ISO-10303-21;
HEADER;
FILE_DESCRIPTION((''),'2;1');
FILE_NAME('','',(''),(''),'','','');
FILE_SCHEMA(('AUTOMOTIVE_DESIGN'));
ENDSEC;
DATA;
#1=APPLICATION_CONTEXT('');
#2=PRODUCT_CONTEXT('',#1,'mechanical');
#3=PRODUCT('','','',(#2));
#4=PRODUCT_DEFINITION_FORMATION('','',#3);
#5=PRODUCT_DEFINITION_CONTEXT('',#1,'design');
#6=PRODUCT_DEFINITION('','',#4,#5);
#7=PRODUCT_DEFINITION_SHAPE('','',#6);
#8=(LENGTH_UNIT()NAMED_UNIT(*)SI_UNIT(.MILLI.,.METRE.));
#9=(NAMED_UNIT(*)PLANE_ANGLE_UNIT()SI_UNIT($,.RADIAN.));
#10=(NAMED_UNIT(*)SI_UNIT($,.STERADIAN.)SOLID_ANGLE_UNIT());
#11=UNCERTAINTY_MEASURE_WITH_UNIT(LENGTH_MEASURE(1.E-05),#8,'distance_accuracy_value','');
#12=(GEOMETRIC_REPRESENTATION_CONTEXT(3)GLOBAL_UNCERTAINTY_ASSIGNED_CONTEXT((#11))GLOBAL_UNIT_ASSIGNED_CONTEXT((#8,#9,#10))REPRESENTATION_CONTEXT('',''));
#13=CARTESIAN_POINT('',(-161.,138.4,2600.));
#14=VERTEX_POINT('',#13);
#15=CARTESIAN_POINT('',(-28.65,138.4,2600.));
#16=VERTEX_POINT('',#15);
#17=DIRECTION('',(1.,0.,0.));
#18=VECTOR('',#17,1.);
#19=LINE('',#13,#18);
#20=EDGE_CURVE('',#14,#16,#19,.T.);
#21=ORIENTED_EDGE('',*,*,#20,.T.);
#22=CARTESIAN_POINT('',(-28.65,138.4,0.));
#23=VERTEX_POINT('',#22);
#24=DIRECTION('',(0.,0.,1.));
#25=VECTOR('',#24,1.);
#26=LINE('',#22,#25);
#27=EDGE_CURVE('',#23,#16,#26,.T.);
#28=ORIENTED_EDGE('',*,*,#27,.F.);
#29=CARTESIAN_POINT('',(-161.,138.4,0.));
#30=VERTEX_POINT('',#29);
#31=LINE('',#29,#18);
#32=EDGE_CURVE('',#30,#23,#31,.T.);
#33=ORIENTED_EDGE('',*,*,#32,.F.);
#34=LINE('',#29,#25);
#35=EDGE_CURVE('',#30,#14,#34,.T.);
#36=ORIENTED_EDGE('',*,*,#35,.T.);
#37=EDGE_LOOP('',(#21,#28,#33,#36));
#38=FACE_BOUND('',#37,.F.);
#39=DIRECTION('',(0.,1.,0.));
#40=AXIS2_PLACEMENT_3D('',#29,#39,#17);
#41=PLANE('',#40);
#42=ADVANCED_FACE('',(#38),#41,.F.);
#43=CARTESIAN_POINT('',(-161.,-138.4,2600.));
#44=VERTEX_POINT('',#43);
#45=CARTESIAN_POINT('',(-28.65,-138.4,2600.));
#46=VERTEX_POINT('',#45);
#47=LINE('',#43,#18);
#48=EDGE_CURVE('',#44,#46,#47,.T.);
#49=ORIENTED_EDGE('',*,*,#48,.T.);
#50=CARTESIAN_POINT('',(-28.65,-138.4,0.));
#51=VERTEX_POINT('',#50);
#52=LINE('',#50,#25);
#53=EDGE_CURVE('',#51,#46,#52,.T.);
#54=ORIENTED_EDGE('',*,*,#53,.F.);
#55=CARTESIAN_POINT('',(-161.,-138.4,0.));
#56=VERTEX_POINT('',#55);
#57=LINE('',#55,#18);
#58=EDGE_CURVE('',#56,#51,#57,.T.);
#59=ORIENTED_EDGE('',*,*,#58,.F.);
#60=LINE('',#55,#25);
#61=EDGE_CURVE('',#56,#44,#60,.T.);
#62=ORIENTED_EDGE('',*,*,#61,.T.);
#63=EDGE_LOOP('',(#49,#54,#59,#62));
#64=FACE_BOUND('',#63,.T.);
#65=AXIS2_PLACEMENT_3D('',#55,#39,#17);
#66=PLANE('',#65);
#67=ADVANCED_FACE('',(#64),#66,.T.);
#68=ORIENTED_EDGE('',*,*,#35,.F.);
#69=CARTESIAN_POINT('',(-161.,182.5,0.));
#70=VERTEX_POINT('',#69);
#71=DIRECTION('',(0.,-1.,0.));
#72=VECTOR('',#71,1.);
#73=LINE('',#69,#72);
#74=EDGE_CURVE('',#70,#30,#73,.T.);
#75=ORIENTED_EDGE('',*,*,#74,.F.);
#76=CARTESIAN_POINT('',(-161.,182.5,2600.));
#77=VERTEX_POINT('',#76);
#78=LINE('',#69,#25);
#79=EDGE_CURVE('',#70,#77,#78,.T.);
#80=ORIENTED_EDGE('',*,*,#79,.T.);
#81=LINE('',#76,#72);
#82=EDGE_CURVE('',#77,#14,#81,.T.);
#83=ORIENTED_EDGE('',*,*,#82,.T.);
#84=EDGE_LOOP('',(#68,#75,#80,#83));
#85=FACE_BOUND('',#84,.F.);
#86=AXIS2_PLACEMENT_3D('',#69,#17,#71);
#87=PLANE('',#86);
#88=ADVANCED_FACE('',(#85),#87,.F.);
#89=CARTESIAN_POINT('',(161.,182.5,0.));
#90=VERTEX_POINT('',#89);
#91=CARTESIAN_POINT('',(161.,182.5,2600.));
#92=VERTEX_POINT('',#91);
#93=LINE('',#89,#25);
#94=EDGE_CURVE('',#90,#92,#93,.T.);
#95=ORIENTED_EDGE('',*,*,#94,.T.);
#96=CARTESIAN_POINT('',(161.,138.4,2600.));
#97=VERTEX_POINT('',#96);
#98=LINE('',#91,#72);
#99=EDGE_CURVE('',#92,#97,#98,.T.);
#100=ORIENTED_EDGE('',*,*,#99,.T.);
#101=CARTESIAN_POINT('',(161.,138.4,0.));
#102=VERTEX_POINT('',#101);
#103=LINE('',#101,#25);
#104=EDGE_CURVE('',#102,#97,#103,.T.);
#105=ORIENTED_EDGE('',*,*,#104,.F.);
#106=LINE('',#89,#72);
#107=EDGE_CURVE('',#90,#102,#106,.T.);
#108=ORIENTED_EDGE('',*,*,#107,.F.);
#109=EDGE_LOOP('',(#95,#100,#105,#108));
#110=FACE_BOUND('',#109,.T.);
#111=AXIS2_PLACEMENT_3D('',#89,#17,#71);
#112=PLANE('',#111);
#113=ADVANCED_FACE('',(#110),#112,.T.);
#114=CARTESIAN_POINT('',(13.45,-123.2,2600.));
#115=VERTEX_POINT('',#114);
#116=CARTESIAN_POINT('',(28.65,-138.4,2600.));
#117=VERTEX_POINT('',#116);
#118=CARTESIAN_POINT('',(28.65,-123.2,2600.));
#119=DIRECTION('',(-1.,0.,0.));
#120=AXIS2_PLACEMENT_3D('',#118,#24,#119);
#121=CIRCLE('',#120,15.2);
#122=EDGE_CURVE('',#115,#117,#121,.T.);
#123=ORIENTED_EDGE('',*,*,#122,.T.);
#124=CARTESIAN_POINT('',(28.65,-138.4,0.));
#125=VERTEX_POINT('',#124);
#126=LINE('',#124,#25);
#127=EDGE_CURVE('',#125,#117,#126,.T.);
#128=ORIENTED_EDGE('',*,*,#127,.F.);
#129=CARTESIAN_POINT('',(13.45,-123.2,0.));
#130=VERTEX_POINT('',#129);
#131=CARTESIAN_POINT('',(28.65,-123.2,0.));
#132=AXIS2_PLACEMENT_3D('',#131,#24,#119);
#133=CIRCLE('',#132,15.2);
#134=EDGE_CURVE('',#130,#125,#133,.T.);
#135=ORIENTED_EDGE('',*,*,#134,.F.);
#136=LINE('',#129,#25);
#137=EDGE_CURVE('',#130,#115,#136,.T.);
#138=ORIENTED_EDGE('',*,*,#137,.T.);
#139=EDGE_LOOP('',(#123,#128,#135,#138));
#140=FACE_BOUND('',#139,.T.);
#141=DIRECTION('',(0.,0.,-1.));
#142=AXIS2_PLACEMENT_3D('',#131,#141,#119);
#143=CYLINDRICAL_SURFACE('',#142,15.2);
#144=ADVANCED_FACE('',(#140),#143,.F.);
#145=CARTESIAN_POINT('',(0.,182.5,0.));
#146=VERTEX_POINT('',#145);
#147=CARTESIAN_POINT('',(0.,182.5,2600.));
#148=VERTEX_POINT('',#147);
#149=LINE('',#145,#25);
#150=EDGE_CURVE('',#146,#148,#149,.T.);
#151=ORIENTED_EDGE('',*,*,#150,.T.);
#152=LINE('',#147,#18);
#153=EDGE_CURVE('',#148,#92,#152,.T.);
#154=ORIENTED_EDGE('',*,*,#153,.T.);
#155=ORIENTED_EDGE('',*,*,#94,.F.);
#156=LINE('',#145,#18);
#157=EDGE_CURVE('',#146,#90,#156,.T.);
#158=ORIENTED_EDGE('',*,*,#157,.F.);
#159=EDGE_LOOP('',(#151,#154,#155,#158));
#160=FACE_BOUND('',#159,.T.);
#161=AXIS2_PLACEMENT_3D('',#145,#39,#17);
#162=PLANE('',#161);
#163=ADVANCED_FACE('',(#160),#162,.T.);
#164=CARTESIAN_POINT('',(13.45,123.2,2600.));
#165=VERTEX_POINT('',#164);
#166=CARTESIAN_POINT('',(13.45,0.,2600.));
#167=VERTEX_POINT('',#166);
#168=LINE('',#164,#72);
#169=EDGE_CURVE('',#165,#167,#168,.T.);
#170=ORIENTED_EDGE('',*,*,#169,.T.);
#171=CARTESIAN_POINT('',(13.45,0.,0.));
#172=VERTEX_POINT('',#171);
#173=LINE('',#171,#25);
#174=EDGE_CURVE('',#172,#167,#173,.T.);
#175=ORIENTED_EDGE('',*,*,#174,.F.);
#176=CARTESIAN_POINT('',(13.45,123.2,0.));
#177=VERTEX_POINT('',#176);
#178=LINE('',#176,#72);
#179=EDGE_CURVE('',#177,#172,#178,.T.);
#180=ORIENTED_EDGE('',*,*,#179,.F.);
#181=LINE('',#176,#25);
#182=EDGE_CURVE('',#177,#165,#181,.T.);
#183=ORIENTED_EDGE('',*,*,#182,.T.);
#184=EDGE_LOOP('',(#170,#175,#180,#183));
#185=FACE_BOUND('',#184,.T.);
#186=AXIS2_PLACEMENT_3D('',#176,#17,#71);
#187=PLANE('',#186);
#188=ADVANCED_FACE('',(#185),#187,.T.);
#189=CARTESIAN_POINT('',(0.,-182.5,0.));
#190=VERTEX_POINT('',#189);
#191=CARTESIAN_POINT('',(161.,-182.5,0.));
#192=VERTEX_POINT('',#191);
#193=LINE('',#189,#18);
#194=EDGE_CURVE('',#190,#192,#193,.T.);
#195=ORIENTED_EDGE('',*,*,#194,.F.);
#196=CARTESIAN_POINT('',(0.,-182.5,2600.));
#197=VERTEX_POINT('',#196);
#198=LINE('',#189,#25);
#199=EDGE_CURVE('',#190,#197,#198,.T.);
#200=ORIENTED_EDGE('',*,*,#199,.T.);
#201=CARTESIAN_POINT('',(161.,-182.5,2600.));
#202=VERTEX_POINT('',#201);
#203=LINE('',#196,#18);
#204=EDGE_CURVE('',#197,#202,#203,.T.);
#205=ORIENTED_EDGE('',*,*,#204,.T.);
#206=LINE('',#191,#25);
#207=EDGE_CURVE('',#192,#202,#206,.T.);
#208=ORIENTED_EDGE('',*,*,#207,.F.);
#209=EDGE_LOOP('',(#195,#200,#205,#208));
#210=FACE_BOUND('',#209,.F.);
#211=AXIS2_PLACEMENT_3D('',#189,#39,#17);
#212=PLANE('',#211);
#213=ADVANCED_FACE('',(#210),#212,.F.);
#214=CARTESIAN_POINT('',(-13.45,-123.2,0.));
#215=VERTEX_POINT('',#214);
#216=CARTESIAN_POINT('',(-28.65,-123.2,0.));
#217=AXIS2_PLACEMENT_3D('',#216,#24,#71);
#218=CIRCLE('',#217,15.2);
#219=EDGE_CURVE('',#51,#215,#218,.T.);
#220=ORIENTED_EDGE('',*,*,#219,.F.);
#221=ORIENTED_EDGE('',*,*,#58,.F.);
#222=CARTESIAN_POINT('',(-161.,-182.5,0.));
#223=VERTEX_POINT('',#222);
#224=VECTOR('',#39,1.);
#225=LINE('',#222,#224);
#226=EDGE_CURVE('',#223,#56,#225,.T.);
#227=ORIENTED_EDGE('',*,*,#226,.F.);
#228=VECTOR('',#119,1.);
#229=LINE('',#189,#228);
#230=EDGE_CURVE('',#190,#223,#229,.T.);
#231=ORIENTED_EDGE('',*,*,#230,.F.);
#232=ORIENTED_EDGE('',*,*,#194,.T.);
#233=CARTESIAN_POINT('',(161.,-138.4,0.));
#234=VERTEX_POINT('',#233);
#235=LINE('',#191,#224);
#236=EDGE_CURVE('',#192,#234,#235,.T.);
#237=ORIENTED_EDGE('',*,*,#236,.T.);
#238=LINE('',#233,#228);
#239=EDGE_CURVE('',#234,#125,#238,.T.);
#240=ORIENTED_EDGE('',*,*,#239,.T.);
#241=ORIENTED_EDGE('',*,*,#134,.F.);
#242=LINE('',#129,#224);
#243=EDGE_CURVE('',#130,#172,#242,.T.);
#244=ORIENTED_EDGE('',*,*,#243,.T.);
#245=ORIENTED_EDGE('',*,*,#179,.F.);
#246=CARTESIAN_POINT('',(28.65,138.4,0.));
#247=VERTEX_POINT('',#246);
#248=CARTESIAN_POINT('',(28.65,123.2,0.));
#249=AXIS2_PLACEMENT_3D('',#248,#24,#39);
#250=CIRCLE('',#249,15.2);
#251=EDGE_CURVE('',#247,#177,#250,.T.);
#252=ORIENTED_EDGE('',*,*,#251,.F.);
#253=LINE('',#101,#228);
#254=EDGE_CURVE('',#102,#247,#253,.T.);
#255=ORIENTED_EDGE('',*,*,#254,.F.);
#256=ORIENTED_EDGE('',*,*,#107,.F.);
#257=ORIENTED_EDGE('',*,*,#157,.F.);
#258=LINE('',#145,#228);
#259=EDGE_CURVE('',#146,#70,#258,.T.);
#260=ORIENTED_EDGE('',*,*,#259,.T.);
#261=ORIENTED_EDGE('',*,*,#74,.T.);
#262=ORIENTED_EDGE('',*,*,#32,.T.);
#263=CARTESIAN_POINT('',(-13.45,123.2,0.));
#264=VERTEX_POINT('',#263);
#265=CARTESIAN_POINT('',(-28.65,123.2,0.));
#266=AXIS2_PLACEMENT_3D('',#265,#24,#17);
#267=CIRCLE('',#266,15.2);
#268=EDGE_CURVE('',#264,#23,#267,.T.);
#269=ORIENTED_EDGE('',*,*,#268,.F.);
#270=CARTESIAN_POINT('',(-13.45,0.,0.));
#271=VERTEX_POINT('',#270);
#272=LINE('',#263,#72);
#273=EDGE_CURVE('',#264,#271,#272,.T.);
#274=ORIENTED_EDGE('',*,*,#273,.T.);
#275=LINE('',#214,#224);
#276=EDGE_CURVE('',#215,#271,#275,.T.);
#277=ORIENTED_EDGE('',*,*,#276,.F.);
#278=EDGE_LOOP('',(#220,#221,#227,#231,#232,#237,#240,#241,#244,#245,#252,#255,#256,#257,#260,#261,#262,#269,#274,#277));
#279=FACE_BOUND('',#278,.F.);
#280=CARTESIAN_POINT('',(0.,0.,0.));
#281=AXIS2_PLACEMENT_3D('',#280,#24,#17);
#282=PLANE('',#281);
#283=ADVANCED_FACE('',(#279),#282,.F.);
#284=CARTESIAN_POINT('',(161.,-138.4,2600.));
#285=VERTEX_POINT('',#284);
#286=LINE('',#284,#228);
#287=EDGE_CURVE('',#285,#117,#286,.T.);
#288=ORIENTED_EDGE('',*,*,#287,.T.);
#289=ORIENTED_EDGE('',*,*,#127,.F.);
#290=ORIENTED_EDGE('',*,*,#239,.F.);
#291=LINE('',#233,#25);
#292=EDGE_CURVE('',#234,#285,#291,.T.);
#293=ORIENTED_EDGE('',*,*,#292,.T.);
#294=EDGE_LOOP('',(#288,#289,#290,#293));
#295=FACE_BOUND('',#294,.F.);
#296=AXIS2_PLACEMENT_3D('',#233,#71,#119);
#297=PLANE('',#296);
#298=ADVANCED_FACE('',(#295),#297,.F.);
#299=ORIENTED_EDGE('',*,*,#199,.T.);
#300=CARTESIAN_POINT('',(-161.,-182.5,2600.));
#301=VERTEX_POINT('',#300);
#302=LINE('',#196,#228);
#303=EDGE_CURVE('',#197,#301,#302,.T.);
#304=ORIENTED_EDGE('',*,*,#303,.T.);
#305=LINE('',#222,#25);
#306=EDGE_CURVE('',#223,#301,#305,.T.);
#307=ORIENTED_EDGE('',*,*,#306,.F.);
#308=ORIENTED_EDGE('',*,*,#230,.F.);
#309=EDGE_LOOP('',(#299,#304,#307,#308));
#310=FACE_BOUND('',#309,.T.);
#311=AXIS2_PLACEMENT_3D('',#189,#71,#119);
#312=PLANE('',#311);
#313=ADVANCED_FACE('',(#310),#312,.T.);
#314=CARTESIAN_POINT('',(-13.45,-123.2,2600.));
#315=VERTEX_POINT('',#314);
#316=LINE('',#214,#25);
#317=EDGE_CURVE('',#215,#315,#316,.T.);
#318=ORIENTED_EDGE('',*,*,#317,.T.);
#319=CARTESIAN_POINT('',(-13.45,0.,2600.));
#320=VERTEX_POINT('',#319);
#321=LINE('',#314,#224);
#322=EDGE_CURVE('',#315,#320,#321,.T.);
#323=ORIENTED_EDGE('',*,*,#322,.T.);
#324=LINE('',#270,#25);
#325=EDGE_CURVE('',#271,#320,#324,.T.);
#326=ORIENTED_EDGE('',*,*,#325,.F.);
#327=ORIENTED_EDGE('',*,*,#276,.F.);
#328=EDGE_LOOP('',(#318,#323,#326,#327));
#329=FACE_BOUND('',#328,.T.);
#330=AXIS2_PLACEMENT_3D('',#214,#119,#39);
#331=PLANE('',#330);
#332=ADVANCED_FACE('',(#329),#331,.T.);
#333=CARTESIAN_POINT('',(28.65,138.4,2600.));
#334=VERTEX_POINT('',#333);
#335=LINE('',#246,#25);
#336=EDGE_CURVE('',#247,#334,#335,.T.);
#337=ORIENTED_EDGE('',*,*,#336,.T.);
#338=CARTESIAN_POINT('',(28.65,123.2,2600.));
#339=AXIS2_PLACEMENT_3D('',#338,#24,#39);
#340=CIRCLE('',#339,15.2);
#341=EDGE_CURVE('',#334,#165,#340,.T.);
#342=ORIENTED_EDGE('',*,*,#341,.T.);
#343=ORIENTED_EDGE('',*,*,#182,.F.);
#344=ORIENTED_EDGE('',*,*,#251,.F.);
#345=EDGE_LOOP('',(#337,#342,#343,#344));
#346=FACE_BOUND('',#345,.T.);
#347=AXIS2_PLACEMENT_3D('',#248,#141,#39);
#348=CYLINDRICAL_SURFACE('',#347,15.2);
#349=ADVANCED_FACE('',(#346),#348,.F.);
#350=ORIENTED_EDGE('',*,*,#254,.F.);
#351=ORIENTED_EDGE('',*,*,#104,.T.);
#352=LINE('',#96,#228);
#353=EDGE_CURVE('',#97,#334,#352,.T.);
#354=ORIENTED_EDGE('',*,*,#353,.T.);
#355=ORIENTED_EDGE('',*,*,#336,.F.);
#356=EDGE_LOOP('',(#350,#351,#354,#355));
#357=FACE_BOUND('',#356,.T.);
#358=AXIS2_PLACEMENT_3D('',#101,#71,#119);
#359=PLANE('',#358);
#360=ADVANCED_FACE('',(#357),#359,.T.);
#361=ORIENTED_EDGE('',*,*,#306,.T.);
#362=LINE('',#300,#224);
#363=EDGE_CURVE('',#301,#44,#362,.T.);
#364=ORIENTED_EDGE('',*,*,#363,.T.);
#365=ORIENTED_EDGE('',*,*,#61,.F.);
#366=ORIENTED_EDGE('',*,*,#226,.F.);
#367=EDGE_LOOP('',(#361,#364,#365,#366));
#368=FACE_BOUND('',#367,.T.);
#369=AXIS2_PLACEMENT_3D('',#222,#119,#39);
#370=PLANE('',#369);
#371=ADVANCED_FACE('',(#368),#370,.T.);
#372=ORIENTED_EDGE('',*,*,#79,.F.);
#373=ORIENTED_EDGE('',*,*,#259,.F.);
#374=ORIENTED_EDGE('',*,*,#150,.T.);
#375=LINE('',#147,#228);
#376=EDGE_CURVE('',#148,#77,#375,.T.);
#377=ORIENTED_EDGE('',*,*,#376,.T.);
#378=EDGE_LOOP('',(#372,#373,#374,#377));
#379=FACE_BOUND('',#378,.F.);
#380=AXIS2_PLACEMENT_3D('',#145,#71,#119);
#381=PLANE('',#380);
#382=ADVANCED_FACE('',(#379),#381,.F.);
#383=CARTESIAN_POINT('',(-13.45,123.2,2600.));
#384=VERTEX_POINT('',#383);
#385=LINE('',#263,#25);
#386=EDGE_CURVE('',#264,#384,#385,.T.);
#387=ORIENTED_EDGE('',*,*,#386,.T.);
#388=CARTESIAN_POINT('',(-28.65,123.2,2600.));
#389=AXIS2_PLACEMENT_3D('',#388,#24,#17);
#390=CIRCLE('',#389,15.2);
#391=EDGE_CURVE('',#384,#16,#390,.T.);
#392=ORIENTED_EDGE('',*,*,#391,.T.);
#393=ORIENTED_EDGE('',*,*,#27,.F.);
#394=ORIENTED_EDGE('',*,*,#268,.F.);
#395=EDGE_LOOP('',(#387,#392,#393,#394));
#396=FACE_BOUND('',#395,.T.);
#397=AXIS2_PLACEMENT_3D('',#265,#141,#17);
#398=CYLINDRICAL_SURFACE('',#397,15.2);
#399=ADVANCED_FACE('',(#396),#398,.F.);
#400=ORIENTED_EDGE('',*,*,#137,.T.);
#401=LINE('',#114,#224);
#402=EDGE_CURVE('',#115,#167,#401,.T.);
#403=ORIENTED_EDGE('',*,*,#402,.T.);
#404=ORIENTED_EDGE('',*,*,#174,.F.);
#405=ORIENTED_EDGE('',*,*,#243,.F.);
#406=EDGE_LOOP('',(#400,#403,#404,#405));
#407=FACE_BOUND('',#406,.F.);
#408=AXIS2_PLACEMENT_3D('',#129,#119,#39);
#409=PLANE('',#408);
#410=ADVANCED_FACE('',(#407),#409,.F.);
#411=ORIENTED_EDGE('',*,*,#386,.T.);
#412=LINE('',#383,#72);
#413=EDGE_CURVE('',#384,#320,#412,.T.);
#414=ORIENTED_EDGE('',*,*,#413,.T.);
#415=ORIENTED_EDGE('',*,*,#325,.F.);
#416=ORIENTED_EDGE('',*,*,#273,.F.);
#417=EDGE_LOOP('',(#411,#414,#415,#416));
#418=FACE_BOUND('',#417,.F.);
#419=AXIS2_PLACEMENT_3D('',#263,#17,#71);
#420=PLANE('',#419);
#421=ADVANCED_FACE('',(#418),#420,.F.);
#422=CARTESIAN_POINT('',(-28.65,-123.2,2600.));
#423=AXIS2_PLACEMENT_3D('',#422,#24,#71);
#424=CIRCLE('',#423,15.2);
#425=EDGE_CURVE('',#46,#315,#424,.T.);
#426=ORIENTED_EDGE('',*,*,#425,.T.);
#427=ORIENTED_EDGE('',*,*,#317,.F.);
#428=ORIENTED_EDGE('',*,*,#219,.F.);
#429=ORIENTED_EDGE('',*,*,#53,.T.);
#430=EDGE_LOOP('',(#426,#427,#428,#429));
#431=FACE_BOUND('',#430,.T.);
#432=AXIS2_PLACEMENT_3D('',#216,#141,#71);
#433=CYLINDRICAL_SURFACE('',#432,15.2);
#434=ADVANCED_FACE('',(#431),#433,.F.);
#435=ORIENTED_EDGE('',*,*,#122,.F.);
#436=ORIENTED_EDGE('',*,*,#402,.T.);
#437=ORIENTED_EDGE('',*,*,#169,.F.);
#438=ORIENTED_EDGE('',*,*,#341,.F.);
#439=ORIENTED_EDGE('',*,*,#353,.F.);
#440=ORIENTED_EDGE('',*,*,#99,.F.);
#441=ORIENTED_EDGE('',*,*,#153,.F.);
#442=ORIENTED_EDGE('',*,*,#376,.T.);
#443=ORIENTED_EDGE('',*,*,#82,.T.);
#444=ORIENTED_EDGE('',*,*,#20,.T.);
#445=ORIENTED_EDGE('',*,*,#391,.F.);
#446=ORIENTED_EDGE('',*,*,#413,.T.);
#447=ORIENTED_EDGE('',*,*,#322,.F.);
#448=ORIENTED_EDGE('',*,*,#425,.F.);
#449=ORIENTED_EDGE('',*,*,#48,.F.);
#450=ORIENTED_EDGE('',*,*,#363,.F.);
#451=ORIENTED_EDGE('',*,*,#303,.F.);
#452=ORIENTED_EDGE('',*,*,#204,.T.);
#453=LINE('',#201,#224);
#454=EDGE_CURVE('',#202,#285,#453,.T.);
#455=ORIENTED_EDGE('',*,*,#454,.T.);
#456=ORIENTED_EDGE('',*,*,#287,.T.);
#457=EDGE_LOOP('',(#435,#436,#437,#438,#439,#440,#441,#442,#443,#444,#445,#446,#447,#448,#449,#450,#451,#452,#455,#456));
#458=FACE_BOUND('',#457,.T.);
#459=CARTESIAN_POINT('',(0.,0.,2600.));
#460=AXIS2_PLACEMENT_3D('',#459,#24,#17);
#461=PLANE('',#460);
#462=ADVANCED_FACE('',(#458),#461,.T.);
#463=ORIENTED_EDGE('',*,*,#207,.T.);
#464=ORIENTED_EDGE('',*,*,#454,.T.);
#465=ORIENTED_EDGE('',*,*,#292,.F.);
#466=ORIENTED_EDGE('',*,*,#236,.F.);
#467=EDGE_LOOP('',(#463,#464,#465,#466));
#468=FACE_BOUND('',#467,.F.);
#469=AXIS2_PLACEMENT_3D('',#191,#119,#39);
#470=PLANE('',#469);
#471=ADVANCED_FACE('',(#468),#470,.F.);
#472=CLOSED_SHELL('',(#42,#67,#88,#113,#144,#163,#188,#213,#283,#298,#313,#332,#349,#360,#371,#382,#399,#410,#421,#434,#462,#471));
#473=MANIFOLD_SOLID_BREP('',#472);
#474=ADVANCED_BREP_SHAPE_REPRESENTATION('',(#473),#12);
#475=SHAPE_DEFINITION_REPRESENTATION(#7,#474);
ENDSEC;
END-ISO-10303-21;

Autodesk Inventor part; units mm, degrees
ref_plane "YZ Plane" through (0, 0, 0) normal (1, 0, 0) x (0, 1, 0)
ref_plane "Start plane" through (0, 0, 0) normal (0, 0, 1) x (1, 0, 0)
ref_plane "End plane" through (0, 0, 2600) normal (0, 0, 1) x (1, 0, 0)
sketch "Sketch" plane through (0, 0, 0) normal (0, 0, 1) x (1, 0, 0)
  line L0 (-161, -182.5) -> (-161, -138.4)
  line L1 (-161, -138.4) -> (-28.65, -138.4)
  line L2 (-13.45, -123.2) -> (-13.45, 0)
  line L3 (-13.45, 0) -> (0, 0) construction
  line L4 (0, 0) -> (0, -182.5) construction
  line L5 (0, -182.5) -> (-161, -182.5)
  line L6 (-60, 0) -> (80, 0) construction
  line L7 (0, -60) -> (0, 80) construction
  line L8 (161, -182.5) -> (161, -138.4)
  line L9 (161, -138.4) -> (28.65, -138.4)
  line L10 (13.45, -123.2) -> (13.45, 0)
  line L11 (13.45, 0) -> (0, 0) construction
  line L12 (0, -182.5) -> (161, -182.5)
  line L13 (-161, 182.5) -> (-161, 138.4)
  line L14 (-161, 138.4) -> (-28.65, 138.4)
  line L15 (-13.45, 123.2) -> (-13.45, 0)
  line L16 (0, 182.5) -> (-161, 182.5)
  line L17 (161, 182.5) -> (161, 138.4)
  line L18 (161, 138.4) -> (28.65, 138.4)
  line L19 (0, 182.5) -> (161, 182.5)
  line L20 (13.45, 123.2) -> (13.45, 0)
  arc A0 (-13.45, 123.2) -> (-28.65, 138.4) centre (-28.65, 123.2) ccw
  arc A1 (28.65, 138.4) -> (13.45, 123.2) centre (28.65, 123.2) ccw
  arc A2 (13.45, -123.2) -> (28.65, -138.4) centre (28.65, -123.2) ccw
  arc A3 (-28.65, -138.4) -> (-13.45, -123.2) centre (-28.65, -123.2) ccw
  line L21 (0, 108) -> (0, -88) construction
  line L22 (-88, 0) -> (108, 0) construction
  point P0 (-13.45, -138.4)
  point P1 (13.45, -138.4)
  point P2 (-13.45, 138.4)
  point P3 (13.45, 138.4)
  dimension "d1" = 182.5
  dimension "d2" = 44.1
  dimension "d3" = 161
  dimension "d4" = 13.45
  dimension "d10" = 15.2
extrude "Body" add sketch "Sketch" along normal up to surface (2600 mm away) from surface at 0
sketch "Sketch4" plane through (0, 0, 0) normal (0, 0, 1) x (1, 0, 0)
  line L0 (0, 0) -> (10, 0)
ref_plane "Work Plane3" through (0, 0, 0) normal (0, -1, 0) x (1, 0, 0)
sketch "Sketch5" plane through (0, 0, 0) normal (0, -1, 0) x (1, 0, 0)
  line L0 (-2, 0) -> (12, 0) projected
  line L1 (-2, 2600) -> (12, 2600) projected
  dimension "d14" = 2600
equation "\"d1\" = 0.5 * G_H"
equation "\"d2\" = G_T1"
equation "\"d3\" = 0.5 * G_W"
equation "\"d4\" = 0.5 * G_T"
equation "\"d10\" = G_IR"
equation "\"d5\" = G_L"
equation "\"G_W\" = 322"
equation "\"G_H\" = 365"
equation "\"G_T\" = 26.9"
equation "\"G_T1\" = 44.1"
equation "\"G_IR\" = 15.2"
equation "\"G_L\" = d14"
equation "\"G_OFFSET_START\" = 0"
equation "\"G_OFFSET_END\" = 0"
properties part number "AS 3679 - 310 UC - 283 - 2600" material "Steel, Mild"
